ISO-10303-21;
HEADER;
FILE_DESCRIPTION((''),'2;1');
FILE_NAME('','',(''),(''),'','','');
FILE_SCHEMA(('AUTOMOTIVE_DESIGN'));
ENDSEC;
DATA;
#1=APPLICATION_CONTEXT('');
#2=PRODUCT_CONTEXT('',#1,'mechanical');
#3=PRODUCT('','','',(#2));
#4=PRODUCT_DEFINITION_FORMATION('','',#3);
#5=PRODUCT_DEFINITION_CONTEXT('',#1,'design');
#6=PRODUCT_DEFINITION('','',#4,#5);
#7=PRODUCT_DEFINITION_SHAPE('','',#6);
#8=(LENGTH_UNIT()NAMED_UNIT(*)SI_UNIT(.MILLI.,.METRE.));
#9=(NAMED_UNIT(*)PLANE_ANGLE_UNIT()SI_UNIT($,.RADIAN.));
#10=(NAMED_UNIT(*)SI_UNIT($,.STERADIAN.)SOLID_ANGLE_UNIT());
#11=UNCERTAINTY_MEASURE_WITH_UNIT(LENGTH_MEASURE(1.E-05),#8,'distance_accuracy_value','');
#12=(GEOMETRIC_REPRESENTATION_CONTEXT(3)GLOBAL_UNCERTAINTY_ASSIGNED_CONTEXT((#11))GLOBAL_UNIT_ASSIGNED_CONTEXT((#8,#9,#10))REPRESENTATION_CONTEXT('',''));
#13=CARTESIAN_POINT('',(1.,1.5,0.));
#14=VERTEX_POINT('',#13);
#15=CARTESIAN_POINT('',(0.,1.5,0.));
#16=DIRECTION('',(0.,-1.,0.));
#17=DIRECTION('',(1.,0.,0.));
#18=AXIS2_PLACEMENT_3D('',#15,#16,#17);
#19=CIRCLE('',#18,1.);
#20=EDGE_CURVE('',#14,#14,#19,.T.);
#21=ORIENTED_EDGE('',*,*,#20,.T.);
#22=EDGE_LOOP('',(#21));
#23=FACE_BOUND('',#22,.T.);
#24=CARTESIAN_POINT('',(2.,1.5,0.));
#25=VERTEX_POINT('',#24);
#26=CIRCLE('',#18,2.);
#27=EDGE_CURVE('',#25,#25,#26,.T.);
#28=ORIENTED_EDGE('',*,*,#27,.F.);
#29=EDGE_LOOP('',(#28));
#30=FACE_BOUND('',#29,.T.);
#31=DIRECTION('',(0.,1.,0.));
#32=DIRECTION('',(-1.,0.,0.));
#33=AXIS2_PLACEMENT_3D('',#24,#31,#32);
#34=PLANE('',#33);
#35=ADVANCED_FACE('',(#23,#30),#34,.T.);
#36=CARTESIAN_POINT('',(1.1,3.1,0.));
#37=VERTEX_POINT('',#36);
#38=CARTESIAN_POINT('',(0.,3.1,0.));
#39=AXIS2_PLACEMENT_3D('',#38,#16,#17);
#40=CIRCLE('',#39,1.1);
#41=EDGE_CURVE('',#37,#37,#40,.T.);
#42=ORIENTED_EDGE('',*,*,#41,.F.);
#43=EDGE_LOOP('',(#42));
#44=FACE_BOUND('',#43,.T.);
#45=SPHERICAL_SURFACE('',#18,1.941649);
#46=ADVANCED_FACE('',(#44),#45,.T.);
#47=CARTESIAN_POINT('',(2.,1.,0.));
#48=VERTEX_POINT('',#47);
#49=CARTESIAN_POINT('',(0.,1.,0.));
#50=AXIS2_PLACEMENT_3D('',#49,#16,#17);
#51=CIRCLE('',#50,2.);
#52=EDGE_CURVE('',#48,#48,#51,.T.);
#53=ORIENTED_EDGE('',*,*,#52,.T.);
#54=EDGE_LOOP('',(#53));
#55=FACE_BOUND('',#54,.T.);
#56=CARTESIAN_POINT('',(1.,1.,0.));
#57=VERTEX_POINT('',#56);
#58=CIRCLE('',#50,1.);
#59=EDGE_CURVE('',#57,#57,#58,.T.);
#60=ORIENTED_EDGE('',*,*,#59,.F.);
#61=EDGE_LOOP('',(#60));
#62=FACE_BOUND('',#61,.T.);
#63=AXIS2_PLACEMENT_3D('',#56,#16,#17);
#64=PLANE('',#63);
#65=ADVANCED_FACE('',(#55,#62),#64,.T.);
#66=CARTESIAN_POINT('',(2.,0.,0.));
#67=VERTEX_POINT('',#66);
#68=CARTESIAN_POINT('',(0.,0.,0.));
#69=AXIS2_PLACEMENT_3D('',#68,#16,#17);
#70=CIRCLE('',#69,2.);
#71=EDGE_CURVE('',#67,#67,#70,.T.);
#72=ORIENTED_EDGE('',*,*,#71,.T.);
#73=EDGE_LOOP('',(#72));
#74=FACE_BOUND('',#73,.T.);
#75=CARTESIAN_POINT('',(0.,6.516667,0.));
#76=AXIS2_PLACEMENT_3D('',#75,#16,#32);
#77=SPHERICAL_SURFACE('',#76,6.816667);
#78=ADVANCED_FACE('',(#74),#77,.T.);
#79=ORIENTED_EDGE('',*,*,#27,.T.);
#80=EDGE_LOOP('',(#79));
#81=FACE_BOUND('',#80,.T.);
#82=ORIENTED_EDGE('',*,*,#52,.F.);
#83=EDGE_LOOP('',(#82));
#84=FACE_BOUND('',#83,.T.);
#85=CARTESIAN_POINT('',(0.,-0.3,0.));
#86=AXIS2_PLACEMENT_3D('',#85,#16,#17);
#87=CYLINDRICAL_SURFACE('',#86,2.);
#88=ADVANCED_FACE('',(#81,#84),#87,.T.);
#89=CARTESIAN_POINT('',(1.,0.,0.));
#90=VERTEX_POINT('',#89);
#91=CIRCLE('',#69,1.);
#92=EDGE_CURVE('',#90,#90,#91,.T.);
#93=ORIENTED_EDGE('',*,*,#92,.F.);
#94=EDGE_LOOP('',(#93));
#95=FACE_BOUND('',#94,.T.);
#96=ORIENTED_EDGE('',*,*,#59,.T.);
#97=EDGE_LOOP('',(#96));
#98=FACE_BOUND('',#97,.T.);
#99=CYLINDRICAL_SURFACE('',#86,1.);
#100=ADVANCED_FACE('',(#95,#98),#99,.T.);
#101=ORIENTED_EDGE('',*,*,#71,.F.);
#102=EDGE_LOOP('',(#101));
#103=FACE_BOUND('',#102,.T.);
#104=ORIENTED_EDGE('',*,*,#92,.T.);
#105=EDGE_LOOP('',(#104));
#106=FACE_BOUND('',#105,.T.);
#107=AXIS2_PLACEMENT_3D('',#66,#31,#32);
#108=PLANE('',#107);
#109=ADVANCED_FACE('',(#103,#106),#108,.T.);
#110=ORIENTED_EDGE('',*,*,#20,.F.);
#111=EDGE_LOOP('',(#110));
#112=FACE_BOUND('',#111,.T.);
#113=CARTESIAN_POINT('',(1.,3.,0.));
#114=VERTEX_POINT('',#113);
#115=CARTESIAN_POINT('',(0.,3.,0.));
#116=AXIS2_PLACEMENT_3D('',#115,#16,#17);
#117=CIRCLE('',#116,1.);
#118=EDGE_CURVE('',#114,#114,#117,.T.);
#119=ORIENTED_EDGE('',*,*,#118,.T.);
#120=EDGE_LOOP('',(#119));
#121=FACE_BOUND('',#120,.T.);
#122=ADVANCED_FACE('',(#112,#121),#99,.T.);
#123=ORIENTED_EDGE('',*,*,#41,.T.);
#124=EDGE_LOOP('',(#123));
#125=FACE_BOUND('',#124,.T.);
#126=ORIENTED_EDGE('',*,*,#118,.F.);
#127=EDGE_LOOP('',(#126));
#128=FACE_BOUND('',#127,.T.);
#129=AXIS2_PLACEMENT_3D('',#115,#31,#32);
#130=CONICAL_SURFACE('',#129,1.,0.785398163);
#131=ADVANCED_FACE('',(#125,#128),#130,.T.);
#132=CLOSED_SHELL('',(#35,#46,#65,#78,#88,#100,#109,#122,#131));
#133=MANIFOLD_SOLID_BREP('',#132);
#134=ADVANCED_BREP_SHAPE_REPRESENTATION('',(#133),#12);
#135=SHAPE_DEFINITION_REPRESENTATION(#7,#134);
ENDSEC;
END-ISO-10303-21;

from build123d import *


with BuildPart() as part:
    # Sketch2 → Revolve7 (revolve)
    with BuildSketch(Plane.XY):
        with BuildLine():
            Line((0, -0.3), (0, 3.441648784))
            ThreePointArc((0, 3.441648784), (0.575917505, 3.354270484), (1.1, 3.1))
            Line((1.1, 3.1), (1, 3))
            Line((1, 3), (1, 1.5))
            Line((1, 1.5), (2, 1.5))
            Line((2, 1.5), (2, 1))
            Line((2, 1), (1, 1))
            Line((1, 1), (1, 0))
            Line((1, 0), (2, 0))
            ThreePointArc((2, 0), (1.011187421, -0.224582805), (0, -0.3))
        make_face()
    revolve(axis=Axis((0, -0.3, 0), (0, 1, 0)))


solid = part.part
